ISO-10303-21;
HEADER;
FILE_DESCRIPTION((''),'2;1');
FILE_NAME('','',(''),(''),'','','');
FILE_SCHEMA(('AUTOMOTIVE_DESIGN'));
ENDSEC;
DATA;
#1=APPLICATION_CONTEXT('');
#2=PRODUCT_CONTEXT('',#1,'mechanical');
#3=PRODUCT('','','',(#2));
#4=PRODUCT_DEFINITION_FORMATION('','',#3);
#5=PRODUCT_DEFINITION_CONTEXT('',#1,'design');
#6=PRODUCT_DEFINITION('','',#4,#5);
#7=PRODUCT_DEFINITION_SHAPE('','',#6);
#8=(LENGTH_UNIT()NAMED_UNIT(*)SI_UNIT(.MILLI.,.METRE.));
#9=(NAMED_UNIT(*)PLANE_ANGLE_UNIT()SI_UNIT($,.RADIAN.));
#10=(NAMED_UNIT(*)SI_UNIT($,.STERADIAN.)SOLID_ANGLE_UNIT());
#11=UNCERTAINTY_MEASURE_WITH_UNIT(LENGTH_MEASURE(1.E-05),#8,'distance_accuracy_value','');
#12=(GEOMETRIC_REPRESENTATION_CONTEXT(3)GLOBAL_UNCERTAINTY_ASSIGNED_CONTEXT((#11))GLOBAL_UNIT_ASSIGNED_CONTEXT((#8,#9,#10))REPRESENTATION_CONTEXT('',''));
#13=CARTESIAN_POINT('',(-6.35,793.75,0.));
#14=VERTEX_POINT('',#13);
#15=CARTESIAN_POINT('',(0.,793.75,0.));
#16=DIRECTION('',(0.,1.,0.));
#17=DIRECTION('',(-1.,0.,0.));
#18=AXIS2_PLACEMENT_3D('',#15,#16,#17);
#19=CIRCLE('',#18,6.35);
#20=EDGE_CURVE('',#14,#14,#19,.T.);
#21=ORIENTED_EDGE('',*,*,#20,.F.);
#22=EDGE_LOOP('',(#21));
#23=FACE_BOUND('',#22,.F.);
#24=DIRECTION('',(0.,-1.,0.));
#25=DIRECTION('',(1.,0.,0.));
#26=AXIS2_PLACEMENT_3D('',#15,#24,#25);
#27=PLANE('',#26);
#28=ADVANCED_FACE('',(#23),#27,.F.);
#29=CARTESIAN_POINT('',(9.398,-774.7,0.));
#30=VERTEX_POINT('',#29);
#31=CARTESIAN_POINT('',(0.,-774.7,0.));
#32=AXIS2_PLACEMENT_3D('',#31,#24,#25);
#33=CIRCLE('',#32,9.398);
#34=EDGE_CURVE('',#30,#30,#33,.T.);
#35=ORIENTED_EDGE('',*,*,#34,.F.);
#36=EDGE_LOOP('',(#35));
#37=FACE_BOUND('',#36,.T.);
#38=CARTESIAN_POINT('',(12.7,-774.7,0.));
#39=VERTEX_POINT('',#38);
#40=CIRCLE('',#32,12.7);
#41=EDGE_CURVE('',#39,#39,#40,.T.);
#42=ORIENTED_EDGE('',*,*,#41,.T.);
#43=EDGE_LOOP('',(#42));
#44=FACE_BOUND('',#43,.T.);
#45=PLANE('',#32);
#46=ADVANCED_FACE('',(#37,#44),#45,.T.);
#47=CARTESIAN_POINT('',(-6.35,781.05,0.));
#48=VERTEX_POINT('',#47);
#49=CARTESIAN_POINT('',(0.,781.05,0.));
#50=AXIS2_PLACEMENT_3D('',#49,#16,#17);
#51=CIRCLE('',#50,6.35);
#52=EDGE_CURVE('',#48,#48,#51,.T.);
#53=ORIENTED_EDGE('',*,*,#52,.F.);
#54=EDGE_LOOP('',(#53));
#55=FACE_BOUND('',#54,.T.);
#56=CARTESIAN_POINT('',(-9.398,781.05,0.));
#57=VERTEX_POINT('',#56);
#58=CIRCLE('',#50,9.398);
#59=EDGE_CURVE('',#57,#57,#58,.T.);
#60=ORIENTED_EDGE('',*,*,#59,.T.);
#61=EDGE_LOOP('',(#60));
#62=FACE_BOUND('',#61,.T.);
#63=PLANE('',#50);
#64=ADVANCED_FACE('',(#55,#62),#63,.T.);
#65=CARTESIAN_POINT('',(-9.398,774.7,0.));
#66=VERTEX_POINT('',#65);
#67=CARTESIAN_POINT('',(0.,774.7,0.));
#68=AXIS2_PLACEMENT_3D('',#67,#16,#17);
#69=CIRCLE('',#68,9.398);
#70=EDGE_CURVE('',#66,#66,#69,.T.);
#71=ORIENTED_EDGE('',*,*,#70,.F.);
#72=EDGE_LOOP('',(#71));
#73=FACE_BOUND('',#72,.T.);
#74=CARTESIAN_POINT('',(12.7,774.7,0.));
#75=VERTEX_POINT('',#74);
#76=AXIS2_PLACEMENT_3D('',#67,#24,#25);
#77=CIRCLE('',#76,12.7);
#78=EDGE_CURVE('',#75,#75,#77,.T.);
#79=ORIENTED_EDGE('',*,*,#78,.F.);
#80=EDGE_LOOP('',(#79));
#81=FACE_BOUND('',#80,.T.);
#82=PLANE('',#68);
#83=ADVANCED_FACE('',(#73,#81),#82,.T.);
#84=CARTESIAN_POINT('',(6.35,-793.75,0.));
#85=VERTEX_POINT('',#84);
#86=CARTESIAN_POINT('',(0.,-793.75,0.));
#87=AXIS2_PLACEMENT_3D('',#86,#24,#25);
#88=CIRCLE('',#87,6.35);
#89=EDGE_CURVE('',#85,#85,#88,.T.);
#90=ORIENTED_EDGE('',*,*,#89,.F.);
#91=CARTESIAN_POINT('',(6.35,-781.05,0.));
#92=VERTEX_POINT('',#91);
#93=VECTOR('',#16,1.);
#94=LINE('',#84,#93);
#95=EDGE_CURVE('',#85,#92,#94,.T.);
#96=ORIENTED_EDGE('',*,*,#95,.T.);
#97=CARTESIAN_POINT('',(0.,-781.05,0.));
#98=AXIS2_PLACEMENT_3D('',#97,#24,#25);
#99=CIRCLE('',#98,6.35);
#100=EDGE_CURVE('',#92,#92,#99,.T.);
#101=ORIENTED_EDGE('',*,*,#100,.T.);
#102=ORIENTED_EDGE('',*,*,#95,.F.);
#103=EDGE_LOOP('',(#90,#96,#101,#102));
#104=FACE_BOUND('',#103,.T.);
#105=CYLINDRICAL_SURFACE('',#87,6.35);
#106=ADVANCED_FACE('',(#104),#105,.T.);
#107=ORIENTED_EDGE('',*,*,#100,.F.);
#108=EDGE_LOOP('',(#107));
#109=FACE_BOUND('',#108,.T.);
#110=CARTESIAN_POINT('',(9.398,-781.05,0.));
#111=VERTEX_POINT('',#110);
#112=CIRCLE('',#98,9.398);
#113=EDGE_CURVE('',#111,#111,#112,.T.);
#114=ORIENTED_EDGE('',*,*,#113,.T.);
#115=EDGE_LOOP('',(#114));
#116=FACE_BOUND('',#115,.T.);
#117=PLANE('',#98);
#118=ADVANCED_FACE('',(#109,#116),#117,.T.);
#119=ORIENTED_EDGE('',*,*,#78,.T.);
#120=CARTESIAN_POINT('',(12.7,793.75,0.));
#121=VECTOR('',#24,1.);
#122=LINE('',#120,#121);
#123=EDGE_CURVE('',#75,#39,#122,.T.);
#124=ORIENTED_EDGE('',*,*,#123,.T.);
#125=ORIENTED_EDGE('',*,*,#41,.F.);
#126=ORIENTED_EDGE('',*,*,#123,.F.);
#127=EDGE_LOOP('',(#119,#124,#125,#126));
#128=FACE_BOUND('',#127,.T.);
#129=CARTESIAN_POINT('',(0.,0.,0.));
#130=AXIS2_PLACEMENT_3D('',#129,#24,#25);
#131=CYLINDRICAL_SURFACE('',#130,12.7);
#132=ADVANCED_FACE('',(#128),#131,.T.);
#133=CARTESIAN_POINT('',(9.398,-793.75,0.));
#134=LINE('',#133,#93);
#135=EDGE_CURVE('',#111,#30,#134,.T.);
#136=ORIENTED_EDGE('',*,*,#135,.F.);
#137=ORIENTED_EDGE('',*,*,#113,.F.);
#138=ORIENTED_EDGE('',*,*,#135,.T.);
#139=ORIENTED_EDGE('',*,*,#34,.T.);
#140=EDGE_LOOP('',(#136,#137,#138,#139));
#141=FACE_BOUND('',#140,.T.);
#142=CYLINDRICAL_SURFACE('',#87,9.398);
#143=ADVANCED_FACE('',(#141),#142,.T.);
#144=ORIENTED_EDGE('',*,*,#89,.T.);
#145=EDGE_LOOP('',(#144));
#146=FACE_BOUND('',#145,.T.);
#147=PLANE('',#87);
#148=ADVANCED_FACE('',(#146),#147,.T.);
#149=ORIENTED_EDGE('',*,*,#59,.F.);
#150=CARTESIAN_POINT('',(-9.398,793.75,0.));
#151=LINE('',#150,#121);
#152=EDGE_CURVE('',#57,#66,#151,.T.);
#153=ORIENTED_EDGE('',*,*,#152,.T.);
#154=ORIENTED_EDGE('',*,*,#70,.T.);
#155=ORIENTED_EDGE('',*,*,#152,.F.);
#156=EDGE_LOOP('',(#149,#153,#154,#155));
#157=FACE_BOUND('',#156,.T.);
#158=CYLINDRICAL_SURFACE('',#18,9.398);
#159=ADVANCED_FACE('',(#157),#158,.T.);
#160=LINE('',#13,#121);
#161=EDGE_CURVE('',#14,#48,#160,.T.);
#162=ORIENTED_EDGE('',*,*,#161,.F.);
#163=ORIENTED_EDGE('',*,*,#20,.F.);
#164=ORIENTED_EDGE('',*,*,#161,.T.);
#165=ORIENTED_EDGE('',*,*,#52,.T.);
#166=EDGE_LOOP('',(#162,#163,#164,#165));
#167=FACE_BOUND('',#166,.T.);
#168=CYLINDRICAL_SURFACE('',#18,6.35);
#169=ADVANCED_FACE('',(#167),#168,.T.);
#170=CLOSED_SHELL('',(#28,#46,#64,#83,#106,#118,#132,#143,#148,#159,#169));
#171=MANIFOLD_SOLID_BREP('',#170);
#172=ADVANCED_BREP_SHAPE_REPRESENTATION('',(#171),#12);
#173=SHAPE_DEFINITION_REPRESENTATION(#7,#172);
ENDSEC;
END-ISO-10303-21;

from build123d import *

# Parameters (mm, degrees)
F0_R     = 12.7
F1_DEPTH = 793.75
F2_R     = 12.7
F2_R_2   = 9.398
F3_DEPTH = 19.05
F4_R     = 12.7
F4_R_2   = 9.398
F5_DEPTH = 19.05
F6_R     = 9.398
F6_R_2   = 6.35
F7_DEPTH = 12.7
F8_R     = 9.398
F8_R_2   = 6.35
F9_DEPTH = 12.7


with BuildPart() as f1:
    # F0 (on Front) → F1 (new body, symmetric)
    with BuildSketch(Plane.XZ):
        Circle(F0_R)
    extrude(amount=F1_DEPTH, both=True)

    # F2 (on face) → F3 (cut)
    with BuildSketch(Plane(origin=(0, 793.75, 0), x_dir=(-1, 0, 0), z_dir=(0, 1, 0))):
        Circle(F2_R)
        Circle(F2_R_2, mode=Mode.SUBTRACT)
    extrude(amount=-F3_DEPTH, mode=Mode.SUBTRACT)

    # F4 (on face) → F5 (cut)
    with BuildSketch(Plane.XZ.offset(793.75)):
        Circle(F4_R)
        Circle(F4_R_2, mode=Mode.SUBTRACT)
    extrude(amount=-F5_DEPTH, mode=Mode.SUBTRACT)

    # F6 (on face) → F7 (cut)
    with BuildSketch(Plane.XZ.offset(793.75)):
        Circle(F6_R)
        Circle(F6_R_2, mode=Mode.SUBTRACT)
    extrude(amount=-F7_DEPTH, mode=Mode.SUBTRACT)

    # F8 (on face) → F9 (cut)
    with BuildSketch(Plane(origin=(0, 793.75, 0), x_dir=(-1, 0, 0), z_dir=(0, 1, 0))):
        Circle(F8_R)
        Circle(F8_R_2, mode=Mode.SUBTRACT)
    extrude(amount=-F9_DEPTH, mode=Mode.SUBTRACT)


solid = f1.part
